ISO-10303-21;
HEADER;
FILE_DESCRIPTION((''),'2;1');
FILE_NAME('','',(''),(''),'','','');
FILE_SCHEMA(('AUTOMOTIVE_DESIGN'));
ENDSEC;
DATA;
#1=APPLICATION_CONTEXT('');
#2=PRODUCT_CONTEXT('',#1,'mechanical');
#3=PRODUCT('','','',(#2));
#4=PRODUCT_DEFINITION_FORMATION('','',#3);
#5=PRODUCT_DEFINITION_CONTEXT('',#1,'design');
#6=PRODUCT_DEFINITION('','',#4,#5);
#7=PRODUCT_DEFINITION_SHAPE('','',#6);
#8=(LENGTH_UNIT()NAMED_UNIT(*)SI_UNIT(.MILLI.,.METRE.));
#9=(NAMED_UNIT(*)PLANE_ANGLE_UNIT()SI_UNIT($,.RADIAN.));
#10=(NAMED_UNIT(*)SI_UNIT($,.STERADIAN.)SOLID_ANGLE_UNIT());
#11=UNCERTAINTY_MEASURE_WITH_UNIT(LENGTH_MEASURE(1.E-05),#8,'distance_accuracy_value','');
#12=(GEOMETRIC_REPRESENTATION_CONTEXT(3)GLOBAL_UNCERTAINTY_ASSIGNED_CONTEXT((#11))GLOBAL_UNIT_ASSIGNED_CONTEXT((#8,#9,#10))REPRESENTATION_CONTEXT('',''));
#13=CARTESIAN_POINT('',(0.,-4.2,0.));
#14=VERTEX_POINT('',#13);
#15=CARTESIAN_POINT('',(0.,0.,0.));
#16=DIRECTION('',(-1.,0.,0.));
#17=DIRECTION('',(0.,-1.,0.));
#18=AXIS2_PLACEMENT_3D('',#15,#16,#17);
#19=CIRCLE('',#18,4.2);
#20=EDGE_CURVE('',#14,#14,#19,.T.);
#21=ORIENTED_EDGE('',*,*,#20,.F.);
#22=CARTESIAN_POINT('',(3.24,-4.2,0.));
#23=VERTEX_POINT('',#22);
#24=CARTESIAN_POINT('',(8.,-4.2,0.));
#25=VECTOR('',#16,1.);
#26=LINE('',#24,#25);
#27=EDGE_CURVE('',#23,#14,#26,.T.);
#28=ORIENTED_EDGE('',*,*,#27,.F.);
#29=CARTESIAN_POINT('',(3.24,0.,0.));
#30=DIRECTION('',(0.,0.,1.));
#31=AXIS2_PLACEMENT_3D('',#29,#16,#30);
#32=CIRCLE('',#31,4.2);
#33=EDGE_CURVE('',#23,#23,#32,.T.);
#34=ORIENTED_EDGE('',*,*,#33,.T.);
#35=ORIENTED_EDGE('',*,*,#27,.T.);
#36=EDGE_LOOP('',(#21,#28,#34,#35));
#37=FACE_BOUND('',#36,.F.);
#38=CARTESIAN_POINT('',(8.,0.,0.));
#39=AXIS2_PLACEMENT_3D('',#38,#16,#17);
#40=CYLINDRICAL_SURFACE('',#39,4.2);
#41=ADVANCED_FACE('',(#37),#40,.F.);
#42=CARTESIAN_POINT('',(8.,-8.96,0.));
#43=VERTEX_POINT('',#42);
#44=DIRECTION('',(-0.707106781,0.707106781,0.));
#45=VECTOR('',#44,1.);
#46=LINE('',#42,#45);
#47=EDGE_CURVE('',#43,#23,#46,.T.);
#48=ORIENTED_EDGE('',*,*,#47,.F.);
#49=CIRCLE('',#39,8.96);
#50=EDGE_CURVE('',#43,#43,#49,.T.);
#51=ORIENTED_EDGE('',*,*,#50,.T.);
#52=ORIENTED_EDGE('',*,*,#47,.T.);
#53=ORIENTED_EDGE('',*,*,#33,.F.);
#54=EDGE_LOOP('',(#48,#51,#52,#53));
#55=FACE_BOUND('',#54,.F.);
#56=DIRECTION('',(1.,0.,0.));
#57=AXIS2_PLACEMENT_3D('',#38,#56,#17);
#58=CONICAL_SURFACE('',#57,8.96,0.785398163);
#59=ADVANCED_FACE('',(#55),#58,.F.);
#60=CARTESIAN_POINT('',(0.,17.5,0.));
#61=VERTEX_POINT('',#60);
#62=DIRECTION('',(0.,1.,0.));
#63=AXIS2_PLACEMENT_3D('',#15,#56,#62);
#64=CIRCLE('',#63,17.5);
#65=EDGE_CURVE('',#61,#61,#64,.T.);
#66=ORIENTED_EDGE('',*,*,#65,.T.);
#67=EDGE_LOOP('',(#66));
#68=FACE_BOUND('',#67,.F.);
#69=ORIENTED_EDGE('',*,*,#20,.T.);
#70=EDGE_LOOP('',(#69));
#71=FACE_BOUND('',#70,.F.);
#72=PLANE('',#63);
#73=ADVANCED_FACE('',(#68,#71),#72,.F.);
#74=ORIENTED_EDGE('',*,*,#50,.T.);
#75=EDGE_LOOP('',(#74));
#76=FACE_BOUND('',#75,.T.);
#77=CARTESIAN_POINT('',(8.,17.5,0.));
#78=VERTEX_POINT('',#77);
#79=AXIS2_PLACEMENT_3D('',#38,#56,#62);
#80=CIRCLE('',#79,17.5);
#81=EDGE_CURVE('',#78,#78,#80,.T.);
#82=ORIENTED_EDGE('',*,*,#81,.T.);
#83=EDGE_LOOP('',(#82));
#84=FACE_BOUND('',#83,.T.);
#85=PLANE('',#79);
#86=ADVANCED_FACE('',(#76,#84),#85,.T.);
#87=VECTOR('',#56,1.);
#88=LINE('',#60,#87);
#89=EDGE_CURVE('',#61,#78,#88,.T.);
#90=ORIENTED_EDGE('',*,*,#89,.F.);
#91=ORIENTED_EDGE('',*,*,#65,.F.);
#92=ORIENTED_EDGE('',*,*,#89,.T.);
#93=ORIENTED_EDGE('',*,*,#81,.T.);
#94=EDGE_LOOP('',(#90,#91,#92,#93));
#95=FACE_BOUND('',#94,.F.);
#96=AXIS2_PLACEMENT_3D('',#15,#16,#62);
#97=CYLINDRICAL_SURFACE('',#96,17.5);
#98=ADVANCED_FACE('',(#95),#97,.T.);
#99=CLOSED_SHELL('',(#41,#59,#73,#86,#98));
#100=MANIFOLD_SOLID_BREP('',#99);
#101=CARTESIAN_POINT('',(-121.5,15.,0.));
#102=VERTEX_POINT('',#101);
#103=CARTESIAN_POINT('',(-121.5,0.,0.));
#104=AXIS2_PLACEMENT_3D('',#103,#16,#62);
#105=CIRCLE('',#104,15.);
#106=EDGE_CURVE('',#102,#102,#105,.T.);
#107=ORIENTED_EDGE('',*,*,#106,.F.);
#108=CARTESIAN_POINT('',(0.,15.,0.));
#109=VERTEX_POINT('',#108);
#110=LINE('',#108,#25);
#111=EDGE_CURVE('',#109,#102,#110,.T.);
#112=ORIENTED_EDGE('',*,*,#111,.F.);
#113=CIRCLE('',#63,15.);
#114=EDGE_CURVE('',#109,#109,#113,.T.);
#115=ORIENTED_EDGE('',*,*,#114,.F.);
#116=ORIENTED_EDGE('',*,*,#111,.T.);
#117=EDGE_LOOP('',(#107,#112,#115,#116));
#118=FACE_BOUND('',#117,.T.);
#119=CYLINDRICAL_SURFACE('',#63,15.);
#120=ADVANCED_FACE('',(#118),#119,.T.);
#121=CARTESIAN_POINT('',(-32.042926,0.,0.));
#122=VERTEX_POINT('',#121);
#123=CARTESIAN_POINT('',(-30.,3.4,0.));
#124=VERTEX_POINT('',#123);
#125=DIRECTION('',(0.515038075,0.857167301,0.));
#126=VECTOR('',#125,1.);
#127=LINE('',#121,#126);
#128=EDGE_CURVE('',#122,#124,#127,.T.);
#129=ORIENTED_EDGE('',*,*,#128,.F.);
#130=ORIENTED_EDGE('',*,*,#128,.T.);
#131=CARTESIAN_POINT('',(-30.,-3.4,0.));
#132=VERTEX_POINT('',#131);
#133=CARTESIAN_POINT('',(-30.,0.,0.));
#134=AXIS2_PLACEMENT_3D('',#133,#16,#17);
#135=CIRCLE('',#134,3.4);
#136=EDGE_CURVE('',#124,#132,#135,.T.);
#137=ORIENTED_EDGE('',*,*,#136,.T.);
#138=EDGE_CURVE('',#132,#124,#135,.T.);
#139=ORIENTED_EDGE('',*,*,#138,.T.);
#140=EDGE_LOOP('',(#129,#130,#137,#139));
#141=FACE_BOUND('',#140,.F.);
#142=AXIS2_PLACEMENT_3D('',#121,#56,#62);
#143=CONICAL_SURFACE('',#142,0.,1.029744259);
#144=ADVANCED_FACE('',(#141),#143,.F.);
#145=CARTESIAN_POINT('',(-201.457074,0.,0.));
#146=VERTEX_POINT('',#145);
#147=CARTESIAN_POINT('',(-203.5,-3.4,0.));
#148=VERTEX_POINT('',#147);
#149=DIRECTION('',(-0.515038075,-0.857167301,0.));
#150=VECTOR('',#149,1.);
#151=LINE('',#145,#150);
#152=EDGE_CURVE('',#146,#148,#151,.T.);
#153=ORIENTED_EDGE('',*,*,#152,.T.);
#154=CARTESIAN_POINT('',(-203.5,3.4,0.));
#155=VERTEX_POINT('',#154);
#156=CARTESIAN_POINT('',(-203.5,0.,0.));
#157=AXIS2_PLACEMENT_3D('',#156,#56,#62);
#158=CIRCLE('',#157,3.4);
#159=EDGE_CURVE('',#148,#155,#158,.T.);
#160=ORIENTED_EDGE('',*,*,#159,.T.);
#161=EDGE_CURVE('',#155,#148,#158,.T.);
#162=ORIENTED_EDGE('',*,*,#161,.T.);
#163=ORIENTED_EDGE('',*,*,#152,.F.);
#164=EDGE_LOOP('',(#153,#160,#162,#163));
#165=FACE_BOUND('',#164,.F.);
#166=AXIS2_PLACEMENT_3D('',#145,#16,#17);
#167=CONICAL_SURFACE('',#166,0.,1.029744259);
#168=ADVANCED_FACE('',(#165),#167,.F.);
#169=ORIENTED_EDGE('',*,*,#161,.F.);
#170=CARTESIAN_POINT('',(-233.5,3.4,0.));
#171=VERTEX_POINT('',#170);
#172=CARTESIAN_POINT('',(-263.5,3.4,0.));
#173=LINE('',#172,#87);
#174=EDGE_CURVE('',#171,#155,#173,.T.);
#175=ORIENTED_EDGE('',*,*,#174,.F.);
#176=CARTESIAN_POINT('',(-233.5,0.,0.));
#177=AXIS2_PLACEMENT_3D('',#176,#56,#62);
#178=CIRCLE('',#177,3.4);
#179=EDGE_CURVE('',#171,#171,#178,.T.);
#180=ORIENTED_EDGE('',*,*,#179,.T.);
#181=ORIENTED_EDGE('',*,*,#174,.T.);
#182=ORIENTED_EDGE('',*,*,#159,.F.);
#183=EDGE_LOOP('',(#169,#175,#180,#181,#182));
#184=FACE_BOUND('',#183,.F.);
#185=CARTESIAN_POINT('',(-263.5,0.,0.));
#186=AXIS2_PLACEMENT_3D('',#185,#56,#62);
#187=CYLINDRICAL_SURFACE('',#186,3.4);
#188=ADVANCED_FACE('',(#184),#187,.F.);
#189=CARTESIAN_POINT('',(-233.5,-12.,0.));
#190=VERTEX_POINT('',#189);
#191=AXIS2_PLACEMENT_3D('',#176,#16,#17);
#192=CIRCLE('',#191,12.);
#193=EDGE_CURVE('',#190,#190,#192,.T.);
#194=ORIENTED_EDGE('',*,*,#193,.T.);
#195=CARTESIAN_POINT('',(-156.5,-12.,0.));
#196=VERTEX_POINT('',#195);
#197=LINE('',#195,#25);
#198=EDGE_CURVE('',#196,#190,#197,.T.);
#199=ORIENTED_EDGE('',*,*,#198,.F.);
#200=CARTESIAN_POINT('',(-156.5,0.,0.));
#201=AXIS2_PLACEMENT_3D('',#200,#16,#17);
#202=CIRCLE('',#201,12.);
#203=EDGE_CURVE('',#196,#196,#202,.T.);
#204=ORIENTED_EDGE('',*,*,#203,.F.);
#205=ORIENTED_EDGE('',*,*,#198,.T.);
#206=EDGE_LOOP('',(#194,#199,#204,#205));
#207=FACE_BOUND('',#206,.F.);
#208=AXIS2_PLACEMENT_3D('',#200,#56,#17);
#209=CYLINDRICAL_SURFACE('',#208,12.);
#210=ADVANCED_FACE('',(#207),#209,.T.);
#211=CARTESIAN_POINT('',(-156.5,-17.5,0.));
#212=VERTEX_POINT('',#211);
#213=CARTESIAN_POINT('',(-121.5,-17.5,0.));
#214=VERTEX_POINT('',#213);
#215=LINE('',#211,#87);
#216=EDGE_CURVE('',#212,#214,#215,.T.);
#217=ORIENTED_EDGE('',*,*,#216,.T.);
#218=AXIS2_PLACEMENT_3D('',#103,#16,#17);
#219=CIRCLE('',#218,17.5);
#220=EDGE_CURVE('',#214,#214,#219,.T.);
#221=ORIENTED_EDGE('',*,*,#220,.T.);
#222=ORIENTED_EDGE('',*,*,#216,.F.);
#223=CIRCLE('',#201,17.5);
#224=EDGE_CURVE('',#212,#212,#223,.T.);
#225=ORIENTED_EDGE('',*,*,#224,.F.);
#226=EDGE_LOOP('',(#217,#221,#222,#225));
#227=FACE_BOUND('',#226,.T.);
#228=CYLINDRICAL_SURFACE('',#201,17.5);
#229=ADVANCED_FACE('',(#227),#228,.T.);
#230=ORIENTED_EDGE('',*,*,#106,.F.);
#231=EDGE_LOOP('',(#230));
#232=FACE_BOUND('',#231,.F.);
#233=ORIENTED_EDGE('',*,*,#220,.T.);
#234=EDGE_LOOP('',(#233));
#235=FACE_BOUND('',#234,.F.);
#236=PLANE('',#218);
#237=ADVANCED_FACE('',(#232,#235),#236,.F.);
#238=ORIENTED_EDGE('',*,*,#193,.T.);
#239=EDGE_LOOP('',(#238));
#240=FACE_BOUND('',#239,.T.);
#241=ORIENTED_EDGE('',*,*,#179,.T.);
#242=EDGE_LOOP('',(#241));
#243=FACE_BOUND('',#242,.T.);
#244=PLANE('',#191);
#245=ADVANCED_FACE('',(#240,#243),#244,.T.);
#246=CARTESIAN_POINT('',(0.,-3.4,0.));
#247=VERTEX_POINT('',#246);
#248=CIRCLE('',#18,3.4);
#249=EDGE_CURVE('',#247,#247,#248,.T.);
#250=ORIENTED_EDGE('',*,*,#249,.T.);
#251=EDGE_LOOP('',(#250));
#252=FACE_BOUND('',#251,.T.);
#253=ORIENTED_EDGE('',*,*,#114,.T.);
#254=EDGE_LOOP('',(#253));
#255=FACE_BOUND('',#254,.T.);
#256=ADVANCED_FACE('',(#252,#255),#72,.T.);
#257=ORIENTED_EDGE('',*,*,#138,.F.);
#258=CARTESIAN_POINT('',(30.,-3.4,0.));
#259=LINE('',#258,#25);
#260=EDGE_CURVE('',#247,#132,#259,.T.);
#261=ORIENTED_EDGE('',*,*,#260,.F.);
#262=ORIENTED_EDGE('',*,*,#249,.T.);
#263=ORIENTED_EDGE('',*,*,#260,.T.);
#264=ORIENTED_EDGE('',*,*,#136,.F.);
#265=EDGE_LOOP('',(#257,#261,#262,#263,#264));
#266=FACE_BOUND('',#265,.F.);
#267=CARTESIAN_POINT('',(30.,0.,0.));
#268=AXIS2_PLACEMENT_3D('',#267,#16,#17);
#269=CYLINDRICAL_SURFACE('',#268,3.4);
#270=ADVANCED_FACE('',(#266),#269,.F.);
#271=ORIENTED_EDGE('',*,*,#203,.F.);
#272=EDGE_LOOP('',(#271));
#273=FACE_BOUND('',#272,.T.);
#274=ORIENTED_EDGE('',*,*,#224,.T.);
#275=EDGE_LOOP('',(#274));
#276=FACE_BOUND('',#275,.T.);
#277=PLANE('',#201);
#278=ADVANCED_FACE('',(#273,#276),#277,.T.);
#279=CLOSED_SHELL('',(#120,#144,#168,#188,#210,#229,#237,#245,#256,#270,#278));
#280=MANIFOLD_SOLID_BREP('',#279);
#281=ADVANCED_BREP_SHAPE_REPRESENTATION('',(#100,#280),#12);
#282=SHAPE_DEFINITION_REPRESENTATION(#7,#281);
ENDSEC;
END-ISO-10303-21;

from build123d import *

# Parameters (mm, degrees)
F0_R            = 15
F1_DEPTH        = 156.5
F2_R            = 12
F3_DEPTH        = 77
F5_D            = 6.8
F5_DEPTH        = 30
F5_TIP          = 2.0429261047
F6_R            = 17.5
F6_R_2          = 15
F7_DEPTH        = 35
F8_D            = 6.8
F8_DEPTH        = 30
F8_TIP          = 2.0429261047
F9_R            = 17.5
F10_DEPTH       = 8
F12_D           = 8.4
F12_DEPTH       = 30
F12_CSINK_D     = 17.92
F12_CSINK_ANGLE = 90
F12_TIP         = 2.5236145999


with BuildPart() as f1:
    # F0 (on Right) → F1 (new body)
    with BuildSketch(Plane.YZ):
        Circle(F0_R)
    extrude(amount=-F1_DEPTH)

    # F2 (on face) → F3 (join)
    with BuildSketch(Plane(origin=(-156.5, 0, 0), x_dir=(0, -1, 0), z_dir=(-1, 0, 0))):
        Circle(F2_R)
    extrude(amount=F3_DEPTH)

    # F5
    with Locations(Plane(origin=(-233.5, 0, 0), x_dir=(0, -1, 0), z_dir=(-1, 0, 0))):
        with Locations((0, 0)):
            Hole(F5_D / 2, depth=F5_DEPTH)
            with Locations((0, 0, -(F5_DEPTH + F5_TIP / 2))):  # 118° drill point
                Cone(0, F5_D / 2, F5_TIP, mode=Mode.SUBTRACT)

    # F6 (on face) → F7 (join)
    with BuildSketch(Plane(origin=(-156.5, 0, 0), x_dir=(0, -1, 0), z_dir=(-1, 0, 0))):
        Circle(F6_R)
        Circle(F6_R_2, mode=Mode.SUBTRACT)
    extrude(amount=-F7_DEPTH)

    # F8
    with Locations(Plane.YZ):
        with Locations((0, 0)):
            Hole(F8_D / 2, depth=F8_DEPTH)
            with Locations((0, 0, -(F8_DEPTH + F8_TIP / 2))):  # 118° drill point
                Cone(0, F8_D / 2, F8_TIP, mode=Mode.SUBTRACT)


with BuildPart() as f10:
    # F9 (on Right) → F10 (new body)
    with BuildSketch(Plane.YZ):
        Circle(F9_R)
    extrude(amount=F10_DEPTH)

    # F12
    with Locations(Plane.YZ.offset(8)):
        with Locations((0, 0)):
            CounterSinkHole(F12_D / 2, F12_CSINK_D / 2, depth=F12_DEPTH, counter_sink_angle=F12_CSINK_ANGLE)
            with Locations((0, 0, -(F12_DEPTH + F12_TIP / 2))):  # 118° drill point
                Cone(0, F12_D / 2, F12_TIP, mode=Mode.SUBTRACT)


solid = Compound([f1.part, f10.part])
